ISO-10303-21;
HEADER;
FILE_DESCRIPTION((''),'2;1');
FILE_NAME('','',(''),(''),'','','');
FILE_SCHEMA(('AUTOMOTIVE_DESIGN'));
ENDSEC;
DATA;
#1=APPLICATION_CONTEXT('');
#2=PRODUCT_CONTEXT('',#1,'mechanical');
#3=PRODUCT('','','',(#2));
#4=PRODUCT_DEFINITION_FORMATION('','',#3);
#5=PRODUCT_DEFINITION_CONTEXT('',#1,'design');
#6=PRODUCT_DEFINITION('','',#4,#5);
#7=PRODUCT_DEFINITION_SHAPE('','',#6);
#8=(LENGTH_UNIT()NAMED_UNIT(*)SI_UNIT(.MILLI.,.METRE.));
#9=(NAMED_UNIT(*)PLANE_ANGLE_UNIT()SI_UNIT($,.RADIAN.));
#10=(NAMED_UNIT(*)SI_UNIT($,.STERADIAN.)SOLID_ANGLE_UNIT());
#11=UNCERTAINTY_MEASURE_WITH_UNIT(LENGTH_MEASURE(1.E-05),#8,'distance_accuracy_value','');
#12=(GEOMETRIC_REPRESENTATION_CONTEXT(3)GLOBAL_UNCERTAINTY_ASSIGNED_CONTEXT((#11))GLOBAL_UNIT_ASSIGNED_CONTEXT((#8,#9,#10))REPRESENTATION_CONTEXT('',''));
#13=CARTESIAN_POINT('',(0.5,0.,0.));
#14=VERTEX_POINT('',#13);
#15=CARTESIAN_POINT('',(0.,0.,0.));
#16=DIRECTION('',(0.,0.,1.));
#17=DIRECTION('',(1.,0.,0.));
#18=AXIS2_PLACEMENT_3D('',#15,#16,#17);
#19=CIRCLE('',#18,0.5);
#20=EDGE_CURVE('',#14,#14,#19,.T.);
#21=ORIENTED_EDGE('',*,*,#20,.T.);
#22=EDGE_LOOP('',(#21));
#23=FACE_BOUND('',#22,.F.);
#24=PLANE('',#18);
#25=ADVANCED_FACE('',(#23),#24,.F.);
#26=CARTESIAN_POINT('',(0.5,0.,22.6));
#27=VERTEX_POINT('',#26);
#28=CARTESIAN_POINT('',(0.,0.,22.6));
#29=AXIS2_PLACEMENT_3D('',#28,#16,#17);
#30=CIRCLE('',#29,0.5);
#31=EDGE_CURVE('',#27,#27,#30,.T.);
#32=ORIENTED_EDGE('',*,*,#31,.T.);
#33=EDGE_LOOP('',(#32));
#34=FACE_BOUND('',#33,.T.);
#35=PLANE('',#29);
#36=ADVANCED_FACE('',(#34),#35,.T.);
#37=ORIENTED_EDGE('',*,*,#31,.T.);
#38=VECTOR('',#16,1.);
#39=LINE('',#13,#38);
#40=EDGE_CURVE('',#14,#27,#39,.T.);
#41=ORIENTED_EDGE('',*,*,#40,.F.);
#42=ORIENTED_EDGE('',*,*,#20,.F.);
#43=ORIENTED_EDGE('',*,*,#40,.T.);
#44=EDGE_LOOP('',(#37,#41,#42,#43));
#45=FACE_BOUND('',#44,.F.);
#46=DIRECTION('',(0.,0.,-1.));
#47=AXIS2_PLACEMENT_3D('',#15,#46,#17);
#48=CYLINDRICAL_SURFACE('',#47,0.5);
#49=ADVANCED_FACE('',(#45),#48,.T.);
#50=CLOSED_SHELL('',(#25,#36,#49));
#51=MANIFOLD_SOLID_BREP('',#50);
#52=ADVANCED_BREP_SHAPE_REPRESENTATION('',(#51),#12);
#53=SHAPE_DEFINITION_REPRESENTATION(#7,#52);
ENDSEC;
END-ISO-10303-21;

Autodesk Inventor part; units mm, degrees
ref_plane "YZ Plane" through (0, 0, 0) normal (1, 0, 0) x (0, 1, 0)
ref_plane "XZ Plane" through (0, 0, 0) normal (0, 1, 0) x (-1, 0, 0)
ref_plane "XY Plane" through (0, 0, 0) normal (0, 0, 1) x (1, 0, 0)
sketch "스케치1" plane through (0, 0, 0) normal (0, 0, 1) x (1, 0, 0)
  circle A0 centre (0, 0) radius 0.5
  dimension "d0" = 1
extrude "돌출1" add sketch "스케치1" along normal blind 22.6
properties part number "LickLight"
